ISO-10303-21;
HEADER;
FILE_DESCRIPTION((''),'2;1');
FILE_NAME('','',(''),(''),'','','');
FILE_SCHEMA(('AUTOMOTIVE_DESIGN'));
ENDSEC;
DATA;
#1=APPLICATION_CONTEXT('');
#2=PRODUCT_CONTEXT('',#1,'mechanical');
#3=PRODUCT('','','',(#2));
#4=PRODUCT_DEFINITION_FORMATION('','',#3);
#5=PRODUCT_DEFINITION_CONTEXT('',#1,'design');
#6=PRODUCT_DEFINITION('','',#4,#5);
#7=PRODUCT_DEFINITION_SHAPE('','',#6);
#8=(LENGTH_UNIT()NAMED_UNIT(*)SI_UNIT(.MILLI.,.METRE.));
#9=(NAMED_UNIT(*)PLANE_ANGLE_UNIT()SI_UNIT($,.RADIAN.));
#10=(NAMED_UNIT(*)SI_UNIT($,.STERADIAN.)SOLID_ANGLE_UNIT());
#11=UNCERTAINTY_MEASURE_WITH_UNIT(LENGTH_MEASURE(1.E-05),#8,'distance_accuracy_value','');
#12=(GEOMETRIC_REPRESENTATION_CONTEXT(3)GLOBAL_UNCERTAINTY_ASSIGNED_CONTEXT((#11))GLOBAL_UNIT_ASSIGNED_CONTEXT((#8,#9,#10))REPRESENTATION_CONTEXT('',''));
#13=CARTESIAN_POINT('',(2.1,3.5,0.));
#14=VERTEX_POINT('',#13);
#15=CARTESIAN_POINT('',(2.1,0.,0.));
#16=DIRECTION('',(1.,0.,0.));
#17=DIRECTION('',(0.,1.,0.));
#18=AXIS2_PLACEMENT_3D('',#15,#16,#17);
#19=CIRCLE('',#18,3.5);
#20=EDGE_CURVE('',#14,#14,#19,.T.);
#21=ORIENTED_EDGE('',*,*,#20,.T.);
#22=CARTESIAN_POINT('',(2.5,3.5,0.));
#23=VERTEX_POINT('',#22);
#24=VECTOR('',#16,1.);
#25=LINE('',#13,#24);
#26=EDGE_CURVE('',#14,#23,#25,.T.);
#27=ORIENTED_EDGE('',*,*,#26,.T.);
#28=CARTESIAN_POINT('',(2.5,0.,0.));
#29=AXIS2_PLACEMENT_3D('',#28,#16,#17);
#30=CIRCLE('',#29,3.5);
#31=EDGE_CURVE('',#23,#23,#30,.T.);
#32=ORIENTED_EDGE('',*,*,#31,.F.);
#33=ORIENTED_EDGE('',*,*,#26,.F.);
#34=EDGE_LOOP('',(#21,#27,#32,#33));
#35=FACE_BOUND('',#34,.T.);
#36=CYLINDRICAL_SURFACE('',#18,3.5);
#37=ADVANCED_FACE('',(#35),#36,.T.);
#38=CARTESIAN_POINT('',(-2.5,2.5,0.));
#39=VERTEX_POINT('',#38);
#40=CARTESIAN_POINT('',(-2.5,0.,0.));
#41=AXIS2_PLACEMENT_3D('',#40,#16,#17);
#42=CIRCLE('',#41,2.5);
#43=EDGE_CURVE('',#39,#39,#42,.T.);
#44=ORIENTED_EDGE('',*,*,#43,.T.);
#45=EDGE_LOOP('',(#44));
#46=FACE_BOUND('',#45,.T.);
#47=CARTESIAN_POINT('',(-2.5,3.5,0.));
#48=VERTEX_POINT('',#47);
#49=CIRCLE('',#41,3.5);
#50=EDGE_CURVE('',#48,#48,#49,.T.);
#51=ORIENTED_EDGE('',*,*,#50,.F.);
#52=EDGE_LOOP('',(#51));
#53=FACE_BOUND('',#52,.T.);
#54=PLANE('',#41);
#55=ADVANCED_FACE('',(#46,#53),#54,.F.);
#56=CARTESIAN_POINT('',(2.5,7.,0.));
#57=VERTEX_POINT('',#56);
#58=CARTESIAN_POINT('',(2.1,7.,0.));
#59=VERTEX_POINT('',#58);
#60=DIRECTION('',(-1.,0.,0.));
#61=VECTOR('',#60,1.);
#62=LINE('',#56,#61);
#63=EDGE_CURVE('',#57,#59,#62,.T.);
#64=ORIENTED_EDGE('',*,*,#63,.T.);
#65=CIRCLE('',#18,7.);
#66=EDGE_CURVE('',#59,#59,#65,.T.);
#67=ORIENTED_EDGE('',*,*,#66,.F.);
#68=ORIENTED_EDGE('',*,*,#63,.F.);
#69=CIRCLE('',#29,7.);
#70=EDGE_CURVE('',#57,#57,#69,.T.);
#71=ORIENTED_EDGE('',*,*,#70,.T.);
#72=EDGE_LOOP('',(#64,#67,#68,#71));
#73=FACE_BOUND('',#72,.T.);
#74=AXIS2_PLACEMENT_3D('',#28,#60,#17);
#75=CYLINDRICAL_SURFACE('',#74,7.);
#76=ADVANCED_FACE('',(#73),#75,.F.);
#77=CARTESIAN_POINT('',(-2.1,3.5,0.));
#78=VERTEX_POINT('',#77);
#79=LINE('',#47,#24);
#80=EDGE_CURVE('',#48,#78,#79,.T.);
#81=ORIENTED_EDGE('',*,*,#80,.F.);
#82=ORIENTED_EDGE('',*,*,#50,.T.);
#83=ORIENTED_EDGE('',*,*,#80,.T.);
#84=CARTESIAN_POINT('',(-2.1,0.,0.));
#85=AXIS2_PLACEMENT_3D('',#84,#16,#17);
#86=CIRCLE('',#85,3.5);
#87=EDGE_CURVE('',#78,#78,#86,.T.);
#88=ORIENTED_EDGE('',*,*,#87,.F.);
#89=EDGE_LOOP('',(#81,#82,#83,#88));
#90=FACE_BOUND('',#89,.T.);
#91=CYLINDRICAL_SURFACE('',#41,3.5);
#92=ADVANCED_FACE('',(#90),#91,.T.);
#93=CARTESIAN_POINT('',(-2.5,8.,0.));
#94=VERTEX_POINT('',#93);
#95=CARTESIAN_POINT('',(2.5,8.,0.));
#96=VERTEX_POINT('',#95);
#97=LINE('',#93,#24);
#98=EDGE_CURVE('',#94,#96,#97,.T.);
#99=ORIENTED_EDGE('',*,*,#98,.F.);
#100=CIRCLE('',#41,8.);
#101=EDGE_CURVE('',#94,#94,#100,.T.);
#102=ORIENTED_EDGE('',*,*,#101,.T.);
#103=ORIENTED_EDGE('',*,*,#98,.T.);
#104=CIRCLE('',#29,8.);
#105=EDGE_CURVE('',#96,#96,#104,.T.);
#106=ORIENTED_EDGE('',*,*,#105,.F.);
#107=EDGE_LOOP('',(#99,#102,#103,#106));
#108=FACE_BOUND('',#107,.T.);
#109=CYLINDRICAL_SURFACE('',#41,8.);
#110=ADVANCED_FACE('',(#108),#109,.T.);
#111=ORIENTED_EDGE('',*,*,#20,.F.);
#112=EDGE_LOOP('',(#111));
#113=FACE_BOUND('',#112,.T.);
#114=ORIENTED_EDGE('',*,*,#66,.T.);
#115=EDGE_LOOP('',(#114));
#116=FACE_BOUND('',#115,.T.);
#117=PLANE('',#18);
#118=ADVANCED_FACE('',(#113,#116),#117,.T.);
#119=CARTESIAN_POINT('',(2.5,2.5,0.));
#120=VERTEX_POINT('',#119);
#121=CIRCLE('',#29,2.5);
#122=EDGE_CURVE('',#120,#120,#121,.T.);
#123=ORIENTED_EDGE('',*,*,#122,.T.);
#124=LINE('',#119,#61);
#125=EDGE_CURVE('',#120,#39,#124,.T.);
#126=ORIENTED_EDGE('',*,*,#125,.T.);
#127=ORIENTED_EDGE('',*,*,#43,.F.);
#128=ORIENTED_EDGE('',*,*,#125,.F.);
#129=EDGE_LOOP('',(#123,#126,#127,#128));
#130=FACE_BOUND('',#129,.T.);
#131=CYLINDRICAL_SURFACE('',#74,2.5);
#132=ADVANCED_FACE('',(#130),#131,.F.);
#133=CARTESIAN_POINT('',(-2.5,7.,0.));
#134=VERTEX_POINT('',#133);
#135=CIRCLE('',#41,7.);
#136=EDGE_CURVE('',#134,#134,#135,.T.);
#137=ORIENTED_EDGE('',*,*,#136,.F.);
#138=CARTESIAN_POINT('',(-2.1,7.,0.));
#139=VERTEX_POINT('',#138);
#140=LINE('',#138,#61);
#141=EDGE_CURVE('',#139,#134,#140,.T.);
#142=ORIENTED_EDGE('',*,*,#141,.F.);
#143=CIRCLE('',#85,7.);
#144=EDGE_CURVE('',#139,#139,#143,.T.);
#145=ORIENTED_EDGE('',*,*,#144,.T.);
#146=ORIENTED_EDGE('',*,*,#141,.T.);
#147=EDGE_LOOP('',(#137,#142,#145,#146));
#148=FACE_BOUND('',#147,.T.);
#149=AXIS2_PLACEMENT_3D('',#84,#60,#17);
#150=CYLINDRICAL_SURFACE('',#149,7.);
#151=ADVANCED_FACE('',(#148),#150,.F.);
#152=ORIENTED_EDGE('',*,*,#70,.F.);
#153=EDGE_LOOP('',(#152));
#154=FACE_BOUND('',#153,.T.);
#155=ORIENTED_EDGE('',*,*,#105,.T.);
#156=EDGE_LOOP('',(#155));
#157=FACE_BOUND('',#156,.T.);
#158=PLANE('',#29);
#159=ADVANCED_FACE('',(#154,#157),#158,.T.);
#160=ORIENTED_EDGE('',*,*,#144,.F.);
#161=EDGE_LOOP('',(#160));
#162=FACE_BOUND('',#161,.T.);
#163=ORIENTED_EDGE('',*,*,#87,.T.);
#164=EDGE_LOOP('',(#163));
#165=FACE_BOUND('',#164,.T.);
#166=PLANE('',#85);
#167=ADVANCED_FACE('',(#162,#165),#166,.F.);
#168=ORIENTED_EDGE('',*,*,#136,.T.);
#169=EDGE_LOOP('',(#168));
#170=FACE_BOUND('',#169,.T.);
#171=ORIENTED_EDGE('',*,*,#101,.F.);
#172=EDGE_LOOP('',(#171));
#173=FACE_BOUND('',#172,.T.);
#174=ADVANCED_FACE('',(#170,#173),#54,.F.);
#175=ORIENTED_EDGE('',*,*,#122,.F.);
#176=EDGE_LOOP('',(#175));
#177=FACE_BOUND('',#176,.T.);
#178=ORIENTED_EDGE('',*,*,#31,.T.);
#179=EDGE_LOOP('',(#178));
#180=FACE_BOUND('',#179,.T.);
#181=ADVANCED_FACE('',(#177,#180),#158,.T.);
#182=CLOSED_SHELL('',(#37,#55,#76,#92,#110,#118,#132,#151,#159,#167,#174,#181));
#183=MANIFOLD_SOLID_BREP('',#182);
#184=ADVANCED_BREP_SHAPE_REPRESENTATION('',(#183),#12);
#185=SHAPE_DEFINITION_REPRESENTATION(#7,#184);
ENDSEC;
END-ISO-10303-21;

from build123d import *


with BuildPart() as part:
    # Sketch1 → Revolve1 (revolve)
    with BuildSketch(Plane.XY):
        Polygon((-2.5, 8), (2.5, 8), (2.5, 7), (2.1, 7), (2.1, 3.5), (2.5, 3.5), (2.5, 2.5), (-2.5, 2.5), (-2.5, 3.5), (-2.1, 3.5), (-2.1, 7), (-2.5, 7), align=None)
    revolve(axis=Axis((-2.5, 0, 0), (1, 0, 0)))


solid = part.part
